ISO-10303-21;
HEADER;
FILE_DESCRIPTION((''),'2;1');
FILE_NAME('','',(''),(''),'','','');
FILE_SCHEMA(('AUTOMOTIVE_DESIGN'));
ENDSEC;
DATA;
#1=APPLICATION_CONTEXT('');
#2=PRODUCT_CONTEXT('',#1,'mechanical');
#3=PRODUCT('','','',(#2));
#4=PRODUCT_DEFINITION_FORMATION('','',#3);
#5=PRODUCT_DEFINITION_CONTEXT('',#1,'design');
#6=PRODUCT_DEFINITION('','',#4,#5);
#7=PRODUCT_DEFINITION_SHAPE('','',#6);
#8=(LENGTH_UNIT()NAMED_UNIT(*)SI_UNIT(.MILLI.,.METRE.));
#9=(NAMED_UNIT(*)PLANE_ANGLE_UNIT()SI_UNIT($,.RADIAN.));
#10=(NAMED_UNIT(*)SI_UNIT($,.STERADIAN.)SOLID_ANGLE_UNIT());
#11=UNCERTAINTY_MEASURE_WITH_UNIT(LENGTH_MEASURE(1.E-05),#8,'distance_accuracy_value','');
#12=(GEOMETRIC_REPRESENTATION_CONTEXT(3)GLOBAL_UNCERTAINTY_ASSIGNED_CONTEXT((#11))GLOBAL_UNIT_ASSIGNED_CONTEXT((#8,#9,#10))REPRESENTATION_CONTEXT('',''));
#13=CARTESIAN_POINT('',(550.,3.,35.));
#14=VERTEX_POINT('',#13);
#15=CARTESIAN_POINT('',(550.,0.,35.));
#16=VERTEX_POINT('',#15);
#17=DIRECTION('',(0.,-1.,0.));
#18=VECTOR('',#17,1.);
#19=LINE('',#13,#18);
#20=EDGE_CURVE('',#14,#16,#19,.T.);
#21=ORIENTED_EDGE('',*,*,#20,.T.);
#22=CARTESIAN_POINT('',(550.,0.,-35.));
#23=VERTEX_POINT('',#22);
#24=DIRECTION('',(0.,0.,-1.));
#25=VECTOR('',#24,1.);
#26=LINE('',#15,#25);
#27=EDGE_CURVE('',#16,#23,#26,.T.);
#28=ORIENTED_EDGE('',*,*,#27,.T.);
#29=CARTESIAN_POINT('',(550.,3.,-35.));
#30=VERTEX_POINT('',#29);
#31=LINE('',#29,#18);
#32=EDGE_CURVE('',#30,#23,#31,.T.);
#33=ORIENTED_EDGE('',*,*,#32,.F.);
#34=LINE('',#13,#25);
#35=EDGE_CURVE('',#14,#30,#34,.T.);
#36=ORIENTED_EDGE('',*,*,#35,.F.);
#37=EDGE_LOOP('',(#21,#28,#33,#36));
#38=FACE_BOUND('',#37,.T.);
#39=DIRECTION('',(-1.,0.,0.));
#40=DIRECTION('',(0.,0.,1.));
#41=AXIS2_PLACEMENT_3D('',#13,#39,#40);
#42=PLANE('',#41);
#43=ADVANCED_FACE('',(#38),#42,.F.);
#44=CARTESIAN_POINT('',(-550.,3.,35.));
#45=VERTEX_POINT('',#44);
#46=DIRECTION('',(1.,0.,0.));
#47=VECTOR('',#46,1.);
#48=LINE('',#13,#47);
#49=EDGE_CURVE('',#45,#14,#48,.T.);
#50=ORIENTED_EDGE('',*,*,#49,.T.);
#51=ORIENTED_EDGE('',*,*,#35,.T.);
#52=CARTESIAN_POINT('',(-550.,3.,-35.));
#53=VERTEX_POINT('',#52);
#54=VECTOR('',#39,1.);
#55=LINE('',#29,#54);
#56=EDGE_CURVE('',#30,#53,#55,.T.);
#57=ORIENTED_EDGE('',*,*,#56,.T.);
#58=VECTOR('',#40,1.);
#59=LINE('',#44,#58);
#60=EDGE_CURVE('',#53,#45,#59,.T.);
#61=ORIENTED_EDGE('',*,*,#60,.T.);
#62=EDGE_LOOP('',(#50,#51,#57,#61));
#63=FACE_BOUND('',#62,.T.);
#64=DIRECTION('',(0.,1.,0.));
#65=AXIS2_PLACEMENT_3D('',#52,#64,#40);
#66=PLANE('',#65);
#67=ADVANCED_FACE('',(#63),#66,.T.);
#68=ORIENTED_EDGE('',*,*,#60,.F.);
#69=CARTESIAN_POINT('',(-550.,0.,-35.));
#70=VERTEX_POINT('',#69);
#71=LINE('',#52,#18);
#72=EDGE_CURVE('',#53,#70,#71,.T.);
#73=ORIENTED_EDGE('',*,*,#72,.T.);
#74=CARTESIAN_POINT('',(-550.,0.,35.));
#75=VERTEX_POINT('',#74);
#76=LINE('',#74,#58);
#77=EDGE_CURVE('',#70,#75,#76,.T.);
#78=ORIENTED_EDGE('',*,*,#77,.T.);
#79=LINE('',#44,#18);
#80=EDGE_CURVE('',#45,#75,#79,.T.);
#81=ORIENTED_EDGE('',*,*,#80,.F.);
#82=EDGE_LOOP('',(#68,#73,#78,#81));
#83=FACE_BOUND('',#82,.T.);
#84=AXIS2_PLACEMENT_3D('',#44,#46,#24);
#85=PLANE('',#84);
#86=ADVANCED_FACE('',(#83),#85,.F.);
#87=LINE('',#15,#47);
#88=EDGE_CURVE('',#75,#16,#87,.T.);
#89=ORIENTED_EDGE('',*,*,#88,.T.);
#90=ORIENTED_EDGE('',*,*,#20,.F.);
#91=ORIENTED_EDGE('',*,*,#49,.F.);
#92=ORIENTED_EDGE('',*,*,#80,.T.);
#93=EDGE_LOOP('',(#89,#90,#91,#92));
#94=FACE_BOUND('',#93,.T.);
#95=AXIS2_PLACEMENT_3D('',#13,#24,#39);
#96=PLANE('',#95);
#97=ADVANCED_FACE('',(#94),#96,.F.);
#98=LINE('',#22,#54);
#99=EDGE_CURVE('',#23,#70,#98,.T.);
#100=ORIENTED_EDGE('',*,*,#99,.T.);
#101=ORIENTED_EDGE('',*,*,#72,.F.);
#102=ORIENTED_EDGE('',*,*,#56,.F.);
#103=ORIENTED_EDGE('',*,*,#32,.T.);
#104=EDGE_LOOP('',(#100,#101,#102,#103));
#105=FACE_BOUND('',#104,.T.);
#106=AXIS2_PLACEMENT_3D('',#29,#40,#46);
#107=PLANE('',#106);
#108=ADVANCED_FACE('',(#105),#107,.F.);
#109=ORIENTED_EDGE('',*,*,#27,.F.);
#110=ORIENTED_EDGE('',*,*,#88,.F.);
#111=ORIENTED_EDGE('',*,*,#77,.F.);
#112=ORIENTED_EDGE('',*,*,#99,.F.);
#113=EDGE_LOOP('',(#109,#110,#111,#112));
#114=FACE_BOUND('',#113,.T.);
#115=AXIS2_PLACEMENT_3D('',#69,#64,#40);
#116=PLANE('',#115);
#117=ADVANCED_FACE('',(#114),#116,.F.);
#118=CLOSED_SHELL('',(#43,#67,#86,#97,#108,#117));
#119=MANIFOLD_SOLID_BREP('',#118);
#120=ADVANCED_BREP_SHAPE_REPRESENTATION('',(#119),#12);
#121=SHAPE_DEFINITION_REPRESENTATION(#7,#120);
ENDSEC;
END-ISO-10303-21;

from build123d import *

# Parameters (mm, degrees)
CROQUIS1_W     = 1100
CROQUIS1_H     = 70
EXTRUIR1_DEPTH = 3


with BuildPart() as part:
    # Croquis1 → Extruir1 (new body)
    with BuildSketch(Plane(origin=(0, 0, 0), x_dir=(1, 0, 0), z_dir=(0, 1, 0))):
        Rectangle(CROQUIS1_W, CROQUIS1_H)
    extrude(amount=EXTRUIR1_DEPTH)


solid = part.part
